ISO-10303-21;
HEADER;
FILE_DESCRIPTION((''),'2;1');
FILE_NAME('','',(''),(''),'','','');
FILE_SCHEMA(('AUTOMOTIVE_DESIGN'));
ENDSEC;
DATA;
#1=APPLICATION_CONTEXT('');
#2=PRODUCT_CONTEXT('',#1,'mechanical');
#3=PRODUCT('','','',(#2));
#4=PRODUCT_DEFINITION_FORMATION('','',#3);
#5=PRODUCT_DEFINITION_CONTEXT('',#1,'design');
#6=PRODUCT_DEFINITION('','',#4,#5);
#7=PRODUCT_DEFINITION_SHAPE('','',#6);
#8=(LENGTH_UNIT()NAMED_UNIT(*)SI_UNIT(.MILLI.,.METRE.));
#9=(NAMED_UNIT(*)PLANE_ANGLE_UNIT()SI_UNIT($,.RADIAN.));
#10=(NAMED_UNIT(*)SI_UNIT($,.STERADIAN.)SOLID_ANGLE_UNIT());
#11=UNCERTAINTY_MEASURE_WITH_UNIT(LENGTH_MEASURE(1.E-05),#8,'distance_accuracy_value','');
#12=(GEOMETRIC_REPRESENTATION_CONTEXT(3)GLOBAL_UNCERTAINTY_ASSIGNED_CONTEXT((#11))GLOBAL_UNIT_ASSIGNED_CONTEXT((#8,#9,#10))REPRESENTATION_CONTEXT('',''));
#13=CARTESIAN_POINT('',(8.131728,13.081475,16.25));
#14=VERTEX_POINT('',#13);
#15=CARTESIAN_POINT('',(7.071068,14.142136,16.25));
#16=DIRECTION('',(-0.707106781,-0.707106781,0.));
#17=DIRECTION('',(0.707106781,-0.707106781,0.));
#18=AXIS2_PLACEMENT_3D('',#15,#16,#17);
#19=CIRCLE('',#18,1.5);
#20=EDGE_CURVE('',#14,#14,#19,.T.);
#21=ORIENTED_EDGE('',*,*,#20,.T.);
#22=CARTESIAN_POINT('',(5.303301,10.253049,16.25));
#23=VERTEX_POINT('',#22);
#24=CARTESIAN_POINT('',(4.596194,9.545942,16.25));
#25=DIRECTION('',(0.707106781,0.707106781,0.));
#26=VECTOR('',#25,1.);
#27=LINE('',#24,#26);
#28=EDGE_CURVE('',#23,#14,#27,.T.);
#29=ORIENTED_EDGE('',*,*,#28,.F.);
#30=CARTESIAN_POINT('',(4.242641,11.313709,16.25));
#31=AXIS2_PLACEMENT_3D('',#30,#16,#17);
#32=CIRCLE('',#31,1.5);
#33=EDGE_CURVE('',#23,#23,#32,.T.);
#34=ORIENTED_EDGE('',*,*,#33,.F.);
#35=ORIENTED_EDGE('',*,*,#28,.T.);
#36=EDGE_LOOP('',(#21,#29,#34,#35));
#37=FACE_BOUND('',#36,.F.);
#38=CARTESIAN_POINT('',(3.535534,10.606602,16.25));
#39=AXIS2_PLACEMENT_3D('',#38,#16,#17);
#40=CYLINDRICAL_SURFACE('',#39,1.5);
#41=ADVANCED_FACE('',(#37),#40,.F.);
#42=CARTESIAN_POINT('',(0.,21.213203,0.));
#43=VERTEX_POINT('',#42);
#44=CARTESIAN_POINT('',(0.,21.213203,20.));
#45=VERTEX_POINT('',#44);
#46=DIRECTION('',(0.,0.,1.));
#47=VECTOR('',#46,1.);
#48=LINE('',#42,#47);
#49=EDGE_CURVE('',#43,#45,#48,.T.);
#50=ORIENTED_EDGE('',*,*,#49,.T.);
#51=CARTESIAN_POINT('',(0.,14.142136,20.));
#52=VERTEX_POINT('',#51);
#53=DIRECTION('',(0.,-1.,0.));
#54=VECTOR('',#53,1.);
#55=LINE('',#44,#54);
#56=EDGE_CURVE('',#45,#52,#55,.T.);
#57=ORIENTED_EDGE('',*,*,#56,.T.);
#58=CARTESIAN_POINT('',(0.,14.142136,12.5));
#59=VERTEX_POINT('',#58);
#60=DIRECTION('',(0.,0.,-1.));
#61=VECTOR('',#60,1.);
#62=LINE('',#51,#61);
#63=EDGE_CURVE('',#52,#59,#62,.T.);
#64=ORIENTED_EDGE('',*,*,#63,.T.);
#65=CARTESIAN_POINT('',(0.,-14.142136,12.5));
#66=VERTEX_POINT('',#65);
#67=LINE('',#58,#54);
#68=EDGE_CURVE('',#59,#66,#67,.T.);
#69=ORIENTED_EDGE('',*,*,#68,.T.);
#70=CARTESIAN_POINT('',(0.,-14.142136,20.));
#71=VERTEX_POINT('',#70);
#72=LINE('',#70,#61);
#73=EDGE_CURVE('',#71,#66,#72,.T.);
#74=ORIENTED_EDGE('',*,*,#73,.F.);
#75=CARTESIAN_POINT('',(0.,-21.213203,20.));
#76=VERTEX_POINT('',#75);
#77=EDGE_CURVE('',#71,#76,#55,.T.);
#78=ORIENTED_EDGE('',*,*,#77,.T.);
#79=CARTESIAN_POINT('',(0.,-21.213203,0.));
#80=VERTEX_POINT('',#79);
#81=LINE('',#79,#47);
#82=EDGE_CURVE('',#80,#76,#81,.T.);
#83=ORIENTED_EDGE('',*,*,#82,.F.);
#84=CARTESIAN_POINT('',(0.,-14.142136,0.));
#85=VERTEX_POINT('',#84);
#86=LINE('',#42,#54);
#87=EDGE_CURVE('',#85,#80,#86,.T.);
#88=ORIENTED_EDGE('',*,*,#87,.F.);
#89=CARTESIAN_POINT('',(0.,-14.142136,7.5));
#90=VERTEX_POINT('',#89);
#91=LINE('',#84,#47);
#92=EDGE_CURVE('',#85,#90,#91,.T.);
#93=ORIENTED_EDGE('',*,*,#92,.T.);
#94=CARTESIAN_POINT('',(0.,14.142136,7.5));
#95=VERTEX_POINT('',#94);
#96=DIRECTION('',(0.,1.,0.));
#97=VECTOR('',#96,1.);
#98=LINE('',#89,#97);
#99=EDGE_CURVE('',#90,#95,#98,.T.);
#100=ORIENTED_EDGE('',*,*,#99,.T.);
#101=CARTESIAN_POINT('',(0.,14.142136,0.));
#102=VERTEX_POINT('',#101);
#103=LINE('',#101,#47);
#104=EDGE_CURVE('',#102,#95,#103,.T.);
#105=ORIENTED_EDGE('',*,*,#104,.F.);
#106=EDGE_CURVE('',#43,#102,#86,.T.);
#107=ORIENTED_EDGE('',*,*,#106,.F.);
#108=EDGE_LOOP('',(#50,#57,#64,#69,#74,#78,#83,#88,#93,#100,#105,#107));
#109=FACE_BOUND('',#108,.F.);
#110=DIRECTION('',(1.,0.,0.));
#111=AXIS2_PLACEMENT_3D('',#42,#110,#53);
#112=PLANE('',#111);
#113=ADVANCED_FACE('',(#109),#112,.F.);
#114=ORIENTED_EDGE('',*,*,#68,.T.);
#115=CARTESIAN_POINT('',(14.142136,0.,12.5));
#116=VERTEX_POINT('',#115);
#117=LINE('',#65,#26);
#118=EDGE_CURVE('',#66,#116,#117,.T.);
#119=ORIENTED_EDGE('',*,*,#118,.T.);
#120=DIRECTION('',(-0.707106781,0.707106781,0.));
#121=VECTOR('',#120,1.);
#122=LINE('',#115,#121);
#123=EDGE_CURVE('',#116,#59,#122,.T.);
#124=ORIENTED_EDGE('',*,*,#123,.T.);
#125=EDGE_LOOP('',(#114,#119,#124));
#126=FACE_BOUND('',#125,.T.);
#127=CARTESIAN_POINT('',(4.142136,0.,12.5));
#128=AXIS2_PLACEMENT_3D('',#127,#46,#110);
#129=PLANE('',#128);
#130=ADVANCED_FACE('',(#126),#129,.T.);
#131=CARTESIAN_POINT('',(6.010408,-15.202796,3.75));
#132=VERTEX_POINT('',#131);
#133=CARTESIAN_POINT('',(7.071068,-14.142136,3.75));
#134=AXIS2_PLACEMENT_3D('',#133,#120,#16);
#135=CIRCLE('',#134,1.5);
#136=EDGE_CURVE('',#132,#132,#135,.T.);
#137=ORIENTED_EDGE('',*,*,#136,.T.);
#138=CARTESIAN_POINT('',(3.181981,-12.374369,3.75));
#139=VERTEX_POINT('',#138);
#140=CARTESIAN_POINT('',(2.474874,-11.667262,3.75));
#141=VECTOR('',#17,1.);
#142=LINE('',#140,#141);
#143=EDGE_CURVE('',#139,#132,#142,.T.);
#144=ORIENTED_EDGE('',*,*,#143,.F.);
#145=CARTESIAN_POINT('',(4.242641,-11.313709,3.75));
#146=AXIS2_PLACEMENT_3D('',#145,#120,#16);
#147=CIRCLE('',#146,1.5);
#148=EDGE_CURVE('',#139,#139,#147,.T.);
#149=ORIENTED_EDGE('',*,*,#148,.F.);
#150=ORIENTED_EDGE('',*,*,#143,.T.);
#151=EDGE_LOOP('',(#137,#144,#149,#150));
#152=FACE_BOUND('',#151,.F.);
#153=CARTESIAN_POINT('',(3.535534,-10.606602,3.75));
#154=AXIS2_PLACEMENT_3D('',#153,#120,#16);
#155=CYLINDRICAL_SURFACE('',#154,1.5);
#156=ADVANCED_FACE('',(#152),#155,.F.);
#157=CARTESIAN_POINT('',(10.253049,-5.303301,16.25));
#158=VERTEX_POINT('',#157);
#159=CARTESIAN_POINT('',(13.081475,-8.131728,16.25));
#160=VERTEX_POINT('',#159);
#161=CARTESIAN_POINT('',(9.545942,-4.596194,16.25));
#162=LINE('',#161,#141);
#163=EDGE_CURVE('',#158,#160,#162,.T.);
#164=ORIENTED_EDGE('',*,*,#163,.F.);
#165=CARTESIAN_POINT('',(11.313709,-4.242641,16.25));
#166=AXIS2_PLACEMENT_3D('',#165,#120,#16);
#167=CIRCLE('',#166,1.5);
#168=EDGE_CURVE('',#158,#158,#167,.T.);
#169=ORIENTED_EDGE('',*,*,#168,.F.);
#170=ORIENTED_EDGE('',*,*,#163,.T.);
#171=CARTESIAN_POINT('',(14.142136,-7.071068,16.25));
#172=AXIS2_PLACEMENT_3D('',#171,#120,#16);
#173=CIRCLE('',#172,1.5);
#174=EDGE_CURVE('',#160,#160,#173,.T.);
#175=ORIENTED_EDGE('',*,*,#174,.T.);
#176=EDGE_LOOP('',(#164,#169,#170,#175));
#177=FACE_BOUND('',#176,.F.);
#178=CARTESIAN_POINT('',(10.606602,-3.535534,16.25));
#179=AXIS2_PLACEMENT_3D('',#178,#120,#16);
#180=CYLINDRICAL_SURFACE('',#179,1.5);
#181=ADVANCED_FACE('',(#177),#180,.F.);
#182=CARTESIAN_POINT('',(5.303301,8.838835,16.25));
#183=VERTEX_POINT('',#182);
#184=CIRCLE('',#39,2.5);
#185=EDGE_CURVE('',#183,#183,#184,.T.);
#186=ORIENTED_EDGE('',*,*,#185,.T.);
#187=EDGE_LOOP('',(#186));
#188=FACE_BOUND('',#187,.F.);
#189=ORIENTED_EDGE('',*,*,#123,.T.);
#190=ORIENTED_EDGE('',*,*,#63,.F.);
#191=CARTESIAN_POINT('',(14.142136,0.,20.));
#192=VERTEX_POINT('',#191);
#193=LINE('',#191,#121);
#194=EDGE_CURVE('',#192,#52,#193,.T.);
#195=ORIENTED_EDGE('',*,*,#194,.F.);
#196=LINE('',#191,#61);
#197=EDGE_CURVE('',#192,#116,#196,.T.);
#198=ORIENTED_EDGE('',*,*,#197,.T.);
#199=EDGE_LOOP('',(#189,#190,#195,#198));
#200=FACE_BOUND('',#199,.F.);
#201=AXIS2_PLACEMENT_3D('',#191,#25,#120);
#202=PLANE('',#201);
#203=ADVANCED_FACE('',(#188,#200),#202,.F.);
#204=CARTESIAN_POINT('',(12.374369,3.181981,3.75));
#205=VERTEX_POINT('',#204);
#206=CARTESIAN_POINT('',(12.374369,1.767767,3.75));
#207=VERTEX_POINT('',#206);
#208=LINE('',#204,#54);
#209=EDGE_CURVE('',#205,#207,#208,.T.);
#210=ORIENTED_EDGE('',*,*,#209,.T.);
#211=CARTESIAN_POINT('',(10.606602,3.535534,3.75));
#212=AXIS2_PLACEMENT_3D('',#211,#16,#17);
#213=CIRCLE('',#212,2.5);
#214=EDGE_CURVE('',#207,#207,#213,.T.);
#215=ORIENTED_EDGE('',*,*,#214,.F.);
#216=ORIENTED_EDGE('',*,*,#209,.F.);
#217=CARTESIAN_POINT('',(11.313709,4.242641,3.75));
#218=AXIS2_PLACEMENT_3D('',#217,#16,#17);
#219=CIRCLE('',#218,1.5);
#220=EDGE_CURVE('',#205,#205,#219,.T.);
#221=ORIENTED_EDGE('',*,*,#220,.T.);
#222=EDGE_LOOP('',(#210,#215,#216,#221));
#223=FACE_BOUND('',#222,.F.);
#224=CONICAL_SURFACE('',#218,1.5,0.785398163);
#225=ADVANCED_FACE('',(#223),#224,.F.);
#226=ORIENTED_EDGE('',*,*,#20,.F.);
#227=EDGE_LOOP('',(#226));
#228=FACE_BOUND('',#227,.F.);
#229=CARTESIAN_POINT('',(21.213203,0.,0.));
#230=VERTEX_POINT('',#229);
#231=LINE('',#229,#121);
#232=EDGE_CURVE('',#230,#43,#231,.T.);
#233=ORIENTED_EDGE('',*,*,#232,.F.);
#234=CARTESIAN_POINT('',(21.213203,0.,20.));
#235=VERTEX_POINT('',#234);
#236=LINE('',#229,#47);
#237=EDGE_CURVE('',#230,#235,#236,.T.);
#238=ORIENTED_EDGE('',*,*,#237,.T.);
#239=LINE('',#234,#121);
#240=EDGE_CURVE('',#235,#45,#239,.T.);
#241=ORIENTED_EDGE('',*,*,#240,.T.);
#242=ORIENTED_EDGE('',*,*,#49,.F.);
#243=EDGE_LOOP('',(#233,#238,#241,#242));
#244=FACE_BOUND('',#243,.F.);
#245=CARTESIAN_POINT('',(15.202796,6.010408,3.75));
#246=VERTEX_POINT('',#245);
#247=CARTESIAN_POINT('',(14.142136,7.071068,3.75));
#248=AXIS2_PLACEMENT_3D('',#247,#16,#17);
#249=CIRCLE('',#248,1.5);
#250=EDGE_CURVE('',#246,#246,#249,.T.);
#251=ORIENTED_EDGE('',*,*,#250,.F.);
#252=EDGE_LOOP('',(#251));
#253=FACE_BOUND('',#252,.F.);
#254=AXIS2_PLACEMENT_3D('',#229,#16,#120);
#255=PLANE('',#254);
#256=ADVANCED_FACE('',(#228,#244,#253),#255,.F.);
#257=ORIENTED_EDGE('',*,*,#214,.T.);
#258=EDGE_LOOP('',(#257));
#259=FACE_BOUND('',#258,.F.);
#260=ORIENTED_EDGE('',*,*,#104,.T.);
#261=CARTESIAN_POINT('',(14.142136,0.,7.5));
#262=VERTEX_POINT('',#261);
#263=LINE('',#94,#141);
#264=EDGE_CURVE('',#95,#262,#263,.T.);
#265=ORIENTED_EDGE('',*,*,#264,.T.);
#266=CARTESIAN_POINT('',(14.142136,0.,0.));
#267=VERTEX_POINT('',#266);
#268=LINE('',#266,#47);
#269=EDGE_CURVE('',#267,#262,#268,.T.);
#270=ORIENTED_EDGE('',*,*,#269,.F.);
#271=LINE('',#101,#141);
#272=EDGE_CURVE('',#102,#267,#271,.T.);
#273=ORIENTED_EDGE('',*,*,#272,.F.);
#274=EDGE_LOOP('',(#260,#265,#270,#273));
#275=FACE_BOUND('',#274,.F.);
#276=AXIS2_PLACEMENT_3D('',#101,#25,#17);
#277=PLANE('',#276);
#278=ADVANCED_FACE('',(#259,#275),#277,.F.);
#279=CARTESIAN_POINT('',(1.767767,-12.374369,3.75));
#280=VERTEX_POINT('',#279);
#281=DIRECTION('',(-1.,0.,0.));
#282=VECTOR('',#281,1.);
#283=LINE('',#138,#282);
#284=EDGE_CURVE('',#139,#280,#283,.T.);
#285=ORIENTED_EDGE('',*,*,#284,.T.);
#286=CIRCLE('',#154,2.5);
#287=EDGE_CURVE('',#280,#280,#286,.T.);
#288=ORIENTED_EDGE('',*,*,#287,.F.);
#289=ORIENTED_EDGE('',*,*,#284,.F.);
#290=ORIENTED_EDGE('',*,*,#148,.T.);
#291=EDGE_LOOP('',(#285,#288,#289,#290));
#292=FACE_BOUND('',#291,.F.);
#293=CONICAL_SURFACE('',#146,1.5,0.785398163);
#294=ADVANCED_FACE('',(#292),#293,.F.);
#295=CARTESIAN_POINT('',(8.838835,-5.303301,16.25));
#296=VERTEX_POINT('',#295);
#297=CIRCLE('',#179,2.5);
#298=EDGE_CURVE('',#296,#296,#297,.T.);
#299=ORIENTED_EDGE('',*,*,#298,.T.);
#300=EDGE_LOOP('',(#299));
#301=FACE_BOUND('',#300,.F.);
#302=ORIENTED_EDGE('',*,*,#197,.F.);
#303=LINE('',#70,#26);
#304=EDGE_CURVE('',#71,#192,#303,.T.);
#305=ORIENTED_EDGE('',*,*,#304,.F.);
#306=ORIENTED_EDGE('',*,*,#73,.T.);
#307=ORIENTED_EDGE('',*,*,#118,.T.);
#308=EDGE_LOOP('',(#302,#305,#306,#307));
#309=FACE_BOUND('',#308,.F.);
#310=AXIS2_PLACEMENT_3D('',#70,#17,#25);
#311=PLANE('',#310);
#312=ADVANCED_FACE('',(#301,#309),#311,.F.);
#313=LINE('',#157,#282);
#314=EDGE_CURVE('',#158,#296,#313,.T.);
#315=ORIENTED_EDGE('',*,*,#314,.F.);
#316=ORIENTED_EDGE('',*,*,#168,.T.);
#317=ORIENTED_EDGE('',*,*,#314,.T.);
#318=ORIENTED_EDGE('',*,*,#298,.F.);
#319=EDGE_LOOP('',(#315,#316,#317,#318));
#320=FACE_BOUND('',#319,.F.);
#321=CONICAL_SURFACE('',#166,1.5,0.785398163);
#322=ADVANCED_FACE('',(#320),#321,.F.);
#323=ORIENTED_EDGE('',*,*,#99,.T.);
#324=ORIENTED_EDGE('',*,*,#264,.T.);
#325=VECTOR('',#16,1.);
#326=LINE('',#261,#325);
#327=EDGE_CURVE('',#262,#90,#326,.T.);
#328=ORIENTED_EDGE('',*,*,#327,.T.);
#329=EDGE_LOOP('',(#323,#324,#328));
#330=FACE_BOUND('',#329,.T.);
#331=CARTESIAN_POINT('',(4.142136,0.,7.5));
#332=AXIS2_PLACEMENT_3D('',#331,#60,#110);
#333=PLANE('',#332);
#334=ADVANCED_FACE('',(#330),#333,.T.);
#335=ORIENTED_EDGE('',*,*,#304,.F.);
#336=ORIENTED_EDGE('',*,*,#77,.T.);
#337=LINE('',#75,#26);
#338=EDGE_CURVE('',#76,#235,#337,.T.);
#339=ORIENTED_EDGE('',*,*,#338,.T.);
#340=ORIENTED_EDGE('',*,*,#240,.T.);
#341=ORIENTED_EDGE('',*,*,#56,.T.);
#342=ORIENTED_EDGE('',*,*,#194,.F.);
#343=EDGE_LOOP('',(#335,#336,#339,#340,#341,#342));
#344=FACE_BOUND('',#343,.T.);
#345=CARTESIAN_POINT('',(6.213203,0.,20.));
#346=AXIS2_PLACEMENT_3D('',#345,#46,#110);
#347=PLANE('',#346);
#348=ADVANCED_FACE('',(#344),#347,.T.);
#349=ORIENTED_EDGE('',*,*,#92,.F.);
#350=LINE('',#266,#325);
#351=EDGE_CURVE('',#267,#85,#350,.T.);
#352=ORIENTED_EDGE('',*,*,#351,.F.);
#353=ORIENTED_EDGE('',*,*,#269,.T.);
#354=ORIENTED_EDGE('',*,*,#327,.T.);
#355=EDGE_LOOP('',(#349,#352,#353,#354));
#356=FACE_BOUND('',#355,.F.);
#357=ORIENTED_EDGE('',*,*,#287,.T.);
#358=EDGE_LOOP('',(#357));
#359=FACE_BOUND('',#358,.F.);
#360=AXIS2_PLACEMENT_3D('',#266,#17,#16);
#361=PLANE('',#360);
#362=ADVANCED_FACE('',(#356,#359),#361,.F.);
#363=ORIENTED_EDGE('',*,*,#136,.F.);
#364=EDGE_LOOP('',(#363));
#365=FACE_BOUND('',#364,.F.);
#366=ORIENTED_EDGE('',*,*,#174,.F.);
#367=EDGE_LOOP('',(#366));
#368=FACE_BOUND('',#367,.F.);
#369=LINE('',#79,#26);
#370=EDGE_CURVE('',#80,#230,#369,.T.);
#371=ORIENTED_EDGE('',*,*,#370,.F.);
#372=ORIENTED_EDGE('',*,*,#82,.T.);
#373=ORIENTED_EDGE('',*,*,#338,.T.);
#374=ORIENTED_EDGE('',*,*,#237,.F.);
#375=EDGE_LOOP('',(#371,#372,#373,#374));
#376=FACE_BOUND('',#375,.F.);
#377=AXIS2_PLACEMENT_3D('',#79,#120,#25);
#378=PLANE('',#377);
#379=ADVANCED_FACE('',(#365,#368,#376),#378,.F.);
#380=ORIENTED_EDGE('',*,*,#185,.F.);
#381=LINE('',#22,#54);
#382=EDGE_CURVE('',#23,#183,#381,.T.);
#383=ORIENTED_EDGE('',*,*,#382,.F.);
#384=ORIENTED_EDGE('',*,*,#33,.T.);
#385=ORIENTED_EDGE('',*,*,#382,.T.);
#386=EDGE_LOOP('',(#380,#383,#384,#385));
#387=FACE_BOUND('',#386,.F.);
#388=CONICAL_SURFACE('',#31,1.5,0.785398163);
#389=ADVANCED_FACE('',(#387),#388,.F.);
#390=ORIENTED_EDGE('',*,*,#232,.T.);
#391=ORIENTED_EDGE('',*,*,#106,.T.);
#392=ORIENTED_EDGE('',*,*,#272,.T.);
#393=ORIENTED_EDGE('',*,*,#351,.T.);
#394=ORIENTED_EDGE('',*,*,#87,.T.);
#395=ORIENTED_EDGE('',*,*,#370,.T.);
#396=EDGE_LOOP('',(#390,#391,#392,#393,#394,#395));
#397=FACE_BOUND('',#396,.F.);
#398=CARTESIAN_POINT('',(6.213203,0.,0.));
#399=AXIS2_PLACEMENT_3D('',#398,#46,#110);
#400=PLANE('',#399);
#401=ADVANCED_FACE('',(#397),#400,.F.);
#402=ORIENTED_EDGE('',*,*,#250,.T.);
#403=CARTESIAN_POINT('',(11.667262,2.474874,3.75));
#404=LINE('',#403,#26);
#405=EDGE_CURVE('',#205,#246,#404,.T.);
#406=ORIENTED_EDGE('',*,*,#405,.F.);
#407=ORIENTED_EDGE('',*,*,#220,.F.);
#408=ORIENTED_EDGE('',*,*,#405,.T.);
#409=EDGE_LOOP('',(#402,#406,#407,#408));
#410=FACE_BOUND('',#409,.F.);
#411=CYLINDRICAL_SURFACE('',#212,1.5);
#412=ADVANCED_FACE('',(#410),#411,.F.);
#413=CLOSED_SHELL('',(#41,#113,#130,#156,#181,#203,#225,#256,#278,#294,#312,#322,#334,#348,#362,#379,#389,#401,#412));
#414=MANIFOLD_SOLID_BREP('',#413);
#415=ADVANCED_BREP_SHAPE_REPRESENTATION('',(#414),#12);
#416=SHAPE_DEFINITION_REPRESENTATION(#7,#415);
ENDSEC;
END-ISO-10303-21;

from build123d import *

# Parameters (mm, degrees)
PAD_DEPTH       = 20
POCKET_DEPTH    = 7.5
POCKET001_DEPTH = 7.5
SKETCH003_R     = 1.5
POCKET002_DEPTH = 5
SKETCH004_R     = 1.5
POCKET003_DEPTH = 5
CHAMFER_SIZE    = 1


with BuildPart() as part:
    # Sketch → Pad (new body)
    with BuildSketch(Plane.XY):
        Polygon((21.213203, 0), (0, 21.213203), (0, -21.213203), align=None)
    extrude(amount=PAD_DEPTH)

    # Sketch001 (on Face5 of Pad) → Pocket (cut)
    with BuildSketch(Plane.XY.offset(20)):
        Polygon((14.142136, 0), (0, 14.142136), (0, -14.142136), align=None)
    extrude(amount=-POCKET_DEPTH, mode=Mode.SUBTRACT)

    # Sketch002 (on Face4 of Pocket) → Pocket001 (cut)
    with BuildSketch(Plane(origin=(0, 0, 0), x_dir=(1, 0, 0), z_dir=(0, 0, -1))):
        Polygon((14.142136, 0), (0, 14.142136), (0, -14.142136), align=None)
    extrude(amount=-POCKET001_DEPTH, mode=Mode.SUBTRACT)

    # Sketch003 (on Face6 of Pocket001) → Pocket002 (cut)
    with BuildSketch(Plane(origin=(7.071068, 7.071068, 0), x_dir=(0.707107, -0.707107, 0), z_dir=(-0.707107, -0.707107, 0))):
        with Locations((-5, 16.25)):
            Circle(SKETCH003_R)
        with Locations((5, 3.75)):
            Circle(SKETCH003_R)
    extrude(amount=-POCKET002_DEPTH, mode=Mode.SUBTRACT)

    # Sketch004 (on Face10 of Pocket002) → Pocket003 (cut)
    with BuildSketch(Plane(origin=(7.071068, -7.071068, 0), x_dir=(-0.707107, -0.707107, 0), z_dir=(-0.707107, 0.707107, 0))):
        with Locations((-5, 16.25)):
            Circle(SKETCH004_R)
        with Locations((5, 3.75)):
            Circle(SKETCH004_R)
    extrude(amount=-POCKET003_DEPTH, mode=Mode.SUBTRACT)

    # Chamfer
    chamfer_edges = [part.edges().sort_by_distance(p)[0] for p in [
        (11.667262, -2.474874, 16.25),
        (9.545942, 4.596194, 3.75),
        (4.596194, -9.545942, 3.75),
        (2.474874, 11.667262, 16.25),
    ]]
    chamfer(chamfer_edges, length=CHAMFER_SIZE)


solid = part.part
